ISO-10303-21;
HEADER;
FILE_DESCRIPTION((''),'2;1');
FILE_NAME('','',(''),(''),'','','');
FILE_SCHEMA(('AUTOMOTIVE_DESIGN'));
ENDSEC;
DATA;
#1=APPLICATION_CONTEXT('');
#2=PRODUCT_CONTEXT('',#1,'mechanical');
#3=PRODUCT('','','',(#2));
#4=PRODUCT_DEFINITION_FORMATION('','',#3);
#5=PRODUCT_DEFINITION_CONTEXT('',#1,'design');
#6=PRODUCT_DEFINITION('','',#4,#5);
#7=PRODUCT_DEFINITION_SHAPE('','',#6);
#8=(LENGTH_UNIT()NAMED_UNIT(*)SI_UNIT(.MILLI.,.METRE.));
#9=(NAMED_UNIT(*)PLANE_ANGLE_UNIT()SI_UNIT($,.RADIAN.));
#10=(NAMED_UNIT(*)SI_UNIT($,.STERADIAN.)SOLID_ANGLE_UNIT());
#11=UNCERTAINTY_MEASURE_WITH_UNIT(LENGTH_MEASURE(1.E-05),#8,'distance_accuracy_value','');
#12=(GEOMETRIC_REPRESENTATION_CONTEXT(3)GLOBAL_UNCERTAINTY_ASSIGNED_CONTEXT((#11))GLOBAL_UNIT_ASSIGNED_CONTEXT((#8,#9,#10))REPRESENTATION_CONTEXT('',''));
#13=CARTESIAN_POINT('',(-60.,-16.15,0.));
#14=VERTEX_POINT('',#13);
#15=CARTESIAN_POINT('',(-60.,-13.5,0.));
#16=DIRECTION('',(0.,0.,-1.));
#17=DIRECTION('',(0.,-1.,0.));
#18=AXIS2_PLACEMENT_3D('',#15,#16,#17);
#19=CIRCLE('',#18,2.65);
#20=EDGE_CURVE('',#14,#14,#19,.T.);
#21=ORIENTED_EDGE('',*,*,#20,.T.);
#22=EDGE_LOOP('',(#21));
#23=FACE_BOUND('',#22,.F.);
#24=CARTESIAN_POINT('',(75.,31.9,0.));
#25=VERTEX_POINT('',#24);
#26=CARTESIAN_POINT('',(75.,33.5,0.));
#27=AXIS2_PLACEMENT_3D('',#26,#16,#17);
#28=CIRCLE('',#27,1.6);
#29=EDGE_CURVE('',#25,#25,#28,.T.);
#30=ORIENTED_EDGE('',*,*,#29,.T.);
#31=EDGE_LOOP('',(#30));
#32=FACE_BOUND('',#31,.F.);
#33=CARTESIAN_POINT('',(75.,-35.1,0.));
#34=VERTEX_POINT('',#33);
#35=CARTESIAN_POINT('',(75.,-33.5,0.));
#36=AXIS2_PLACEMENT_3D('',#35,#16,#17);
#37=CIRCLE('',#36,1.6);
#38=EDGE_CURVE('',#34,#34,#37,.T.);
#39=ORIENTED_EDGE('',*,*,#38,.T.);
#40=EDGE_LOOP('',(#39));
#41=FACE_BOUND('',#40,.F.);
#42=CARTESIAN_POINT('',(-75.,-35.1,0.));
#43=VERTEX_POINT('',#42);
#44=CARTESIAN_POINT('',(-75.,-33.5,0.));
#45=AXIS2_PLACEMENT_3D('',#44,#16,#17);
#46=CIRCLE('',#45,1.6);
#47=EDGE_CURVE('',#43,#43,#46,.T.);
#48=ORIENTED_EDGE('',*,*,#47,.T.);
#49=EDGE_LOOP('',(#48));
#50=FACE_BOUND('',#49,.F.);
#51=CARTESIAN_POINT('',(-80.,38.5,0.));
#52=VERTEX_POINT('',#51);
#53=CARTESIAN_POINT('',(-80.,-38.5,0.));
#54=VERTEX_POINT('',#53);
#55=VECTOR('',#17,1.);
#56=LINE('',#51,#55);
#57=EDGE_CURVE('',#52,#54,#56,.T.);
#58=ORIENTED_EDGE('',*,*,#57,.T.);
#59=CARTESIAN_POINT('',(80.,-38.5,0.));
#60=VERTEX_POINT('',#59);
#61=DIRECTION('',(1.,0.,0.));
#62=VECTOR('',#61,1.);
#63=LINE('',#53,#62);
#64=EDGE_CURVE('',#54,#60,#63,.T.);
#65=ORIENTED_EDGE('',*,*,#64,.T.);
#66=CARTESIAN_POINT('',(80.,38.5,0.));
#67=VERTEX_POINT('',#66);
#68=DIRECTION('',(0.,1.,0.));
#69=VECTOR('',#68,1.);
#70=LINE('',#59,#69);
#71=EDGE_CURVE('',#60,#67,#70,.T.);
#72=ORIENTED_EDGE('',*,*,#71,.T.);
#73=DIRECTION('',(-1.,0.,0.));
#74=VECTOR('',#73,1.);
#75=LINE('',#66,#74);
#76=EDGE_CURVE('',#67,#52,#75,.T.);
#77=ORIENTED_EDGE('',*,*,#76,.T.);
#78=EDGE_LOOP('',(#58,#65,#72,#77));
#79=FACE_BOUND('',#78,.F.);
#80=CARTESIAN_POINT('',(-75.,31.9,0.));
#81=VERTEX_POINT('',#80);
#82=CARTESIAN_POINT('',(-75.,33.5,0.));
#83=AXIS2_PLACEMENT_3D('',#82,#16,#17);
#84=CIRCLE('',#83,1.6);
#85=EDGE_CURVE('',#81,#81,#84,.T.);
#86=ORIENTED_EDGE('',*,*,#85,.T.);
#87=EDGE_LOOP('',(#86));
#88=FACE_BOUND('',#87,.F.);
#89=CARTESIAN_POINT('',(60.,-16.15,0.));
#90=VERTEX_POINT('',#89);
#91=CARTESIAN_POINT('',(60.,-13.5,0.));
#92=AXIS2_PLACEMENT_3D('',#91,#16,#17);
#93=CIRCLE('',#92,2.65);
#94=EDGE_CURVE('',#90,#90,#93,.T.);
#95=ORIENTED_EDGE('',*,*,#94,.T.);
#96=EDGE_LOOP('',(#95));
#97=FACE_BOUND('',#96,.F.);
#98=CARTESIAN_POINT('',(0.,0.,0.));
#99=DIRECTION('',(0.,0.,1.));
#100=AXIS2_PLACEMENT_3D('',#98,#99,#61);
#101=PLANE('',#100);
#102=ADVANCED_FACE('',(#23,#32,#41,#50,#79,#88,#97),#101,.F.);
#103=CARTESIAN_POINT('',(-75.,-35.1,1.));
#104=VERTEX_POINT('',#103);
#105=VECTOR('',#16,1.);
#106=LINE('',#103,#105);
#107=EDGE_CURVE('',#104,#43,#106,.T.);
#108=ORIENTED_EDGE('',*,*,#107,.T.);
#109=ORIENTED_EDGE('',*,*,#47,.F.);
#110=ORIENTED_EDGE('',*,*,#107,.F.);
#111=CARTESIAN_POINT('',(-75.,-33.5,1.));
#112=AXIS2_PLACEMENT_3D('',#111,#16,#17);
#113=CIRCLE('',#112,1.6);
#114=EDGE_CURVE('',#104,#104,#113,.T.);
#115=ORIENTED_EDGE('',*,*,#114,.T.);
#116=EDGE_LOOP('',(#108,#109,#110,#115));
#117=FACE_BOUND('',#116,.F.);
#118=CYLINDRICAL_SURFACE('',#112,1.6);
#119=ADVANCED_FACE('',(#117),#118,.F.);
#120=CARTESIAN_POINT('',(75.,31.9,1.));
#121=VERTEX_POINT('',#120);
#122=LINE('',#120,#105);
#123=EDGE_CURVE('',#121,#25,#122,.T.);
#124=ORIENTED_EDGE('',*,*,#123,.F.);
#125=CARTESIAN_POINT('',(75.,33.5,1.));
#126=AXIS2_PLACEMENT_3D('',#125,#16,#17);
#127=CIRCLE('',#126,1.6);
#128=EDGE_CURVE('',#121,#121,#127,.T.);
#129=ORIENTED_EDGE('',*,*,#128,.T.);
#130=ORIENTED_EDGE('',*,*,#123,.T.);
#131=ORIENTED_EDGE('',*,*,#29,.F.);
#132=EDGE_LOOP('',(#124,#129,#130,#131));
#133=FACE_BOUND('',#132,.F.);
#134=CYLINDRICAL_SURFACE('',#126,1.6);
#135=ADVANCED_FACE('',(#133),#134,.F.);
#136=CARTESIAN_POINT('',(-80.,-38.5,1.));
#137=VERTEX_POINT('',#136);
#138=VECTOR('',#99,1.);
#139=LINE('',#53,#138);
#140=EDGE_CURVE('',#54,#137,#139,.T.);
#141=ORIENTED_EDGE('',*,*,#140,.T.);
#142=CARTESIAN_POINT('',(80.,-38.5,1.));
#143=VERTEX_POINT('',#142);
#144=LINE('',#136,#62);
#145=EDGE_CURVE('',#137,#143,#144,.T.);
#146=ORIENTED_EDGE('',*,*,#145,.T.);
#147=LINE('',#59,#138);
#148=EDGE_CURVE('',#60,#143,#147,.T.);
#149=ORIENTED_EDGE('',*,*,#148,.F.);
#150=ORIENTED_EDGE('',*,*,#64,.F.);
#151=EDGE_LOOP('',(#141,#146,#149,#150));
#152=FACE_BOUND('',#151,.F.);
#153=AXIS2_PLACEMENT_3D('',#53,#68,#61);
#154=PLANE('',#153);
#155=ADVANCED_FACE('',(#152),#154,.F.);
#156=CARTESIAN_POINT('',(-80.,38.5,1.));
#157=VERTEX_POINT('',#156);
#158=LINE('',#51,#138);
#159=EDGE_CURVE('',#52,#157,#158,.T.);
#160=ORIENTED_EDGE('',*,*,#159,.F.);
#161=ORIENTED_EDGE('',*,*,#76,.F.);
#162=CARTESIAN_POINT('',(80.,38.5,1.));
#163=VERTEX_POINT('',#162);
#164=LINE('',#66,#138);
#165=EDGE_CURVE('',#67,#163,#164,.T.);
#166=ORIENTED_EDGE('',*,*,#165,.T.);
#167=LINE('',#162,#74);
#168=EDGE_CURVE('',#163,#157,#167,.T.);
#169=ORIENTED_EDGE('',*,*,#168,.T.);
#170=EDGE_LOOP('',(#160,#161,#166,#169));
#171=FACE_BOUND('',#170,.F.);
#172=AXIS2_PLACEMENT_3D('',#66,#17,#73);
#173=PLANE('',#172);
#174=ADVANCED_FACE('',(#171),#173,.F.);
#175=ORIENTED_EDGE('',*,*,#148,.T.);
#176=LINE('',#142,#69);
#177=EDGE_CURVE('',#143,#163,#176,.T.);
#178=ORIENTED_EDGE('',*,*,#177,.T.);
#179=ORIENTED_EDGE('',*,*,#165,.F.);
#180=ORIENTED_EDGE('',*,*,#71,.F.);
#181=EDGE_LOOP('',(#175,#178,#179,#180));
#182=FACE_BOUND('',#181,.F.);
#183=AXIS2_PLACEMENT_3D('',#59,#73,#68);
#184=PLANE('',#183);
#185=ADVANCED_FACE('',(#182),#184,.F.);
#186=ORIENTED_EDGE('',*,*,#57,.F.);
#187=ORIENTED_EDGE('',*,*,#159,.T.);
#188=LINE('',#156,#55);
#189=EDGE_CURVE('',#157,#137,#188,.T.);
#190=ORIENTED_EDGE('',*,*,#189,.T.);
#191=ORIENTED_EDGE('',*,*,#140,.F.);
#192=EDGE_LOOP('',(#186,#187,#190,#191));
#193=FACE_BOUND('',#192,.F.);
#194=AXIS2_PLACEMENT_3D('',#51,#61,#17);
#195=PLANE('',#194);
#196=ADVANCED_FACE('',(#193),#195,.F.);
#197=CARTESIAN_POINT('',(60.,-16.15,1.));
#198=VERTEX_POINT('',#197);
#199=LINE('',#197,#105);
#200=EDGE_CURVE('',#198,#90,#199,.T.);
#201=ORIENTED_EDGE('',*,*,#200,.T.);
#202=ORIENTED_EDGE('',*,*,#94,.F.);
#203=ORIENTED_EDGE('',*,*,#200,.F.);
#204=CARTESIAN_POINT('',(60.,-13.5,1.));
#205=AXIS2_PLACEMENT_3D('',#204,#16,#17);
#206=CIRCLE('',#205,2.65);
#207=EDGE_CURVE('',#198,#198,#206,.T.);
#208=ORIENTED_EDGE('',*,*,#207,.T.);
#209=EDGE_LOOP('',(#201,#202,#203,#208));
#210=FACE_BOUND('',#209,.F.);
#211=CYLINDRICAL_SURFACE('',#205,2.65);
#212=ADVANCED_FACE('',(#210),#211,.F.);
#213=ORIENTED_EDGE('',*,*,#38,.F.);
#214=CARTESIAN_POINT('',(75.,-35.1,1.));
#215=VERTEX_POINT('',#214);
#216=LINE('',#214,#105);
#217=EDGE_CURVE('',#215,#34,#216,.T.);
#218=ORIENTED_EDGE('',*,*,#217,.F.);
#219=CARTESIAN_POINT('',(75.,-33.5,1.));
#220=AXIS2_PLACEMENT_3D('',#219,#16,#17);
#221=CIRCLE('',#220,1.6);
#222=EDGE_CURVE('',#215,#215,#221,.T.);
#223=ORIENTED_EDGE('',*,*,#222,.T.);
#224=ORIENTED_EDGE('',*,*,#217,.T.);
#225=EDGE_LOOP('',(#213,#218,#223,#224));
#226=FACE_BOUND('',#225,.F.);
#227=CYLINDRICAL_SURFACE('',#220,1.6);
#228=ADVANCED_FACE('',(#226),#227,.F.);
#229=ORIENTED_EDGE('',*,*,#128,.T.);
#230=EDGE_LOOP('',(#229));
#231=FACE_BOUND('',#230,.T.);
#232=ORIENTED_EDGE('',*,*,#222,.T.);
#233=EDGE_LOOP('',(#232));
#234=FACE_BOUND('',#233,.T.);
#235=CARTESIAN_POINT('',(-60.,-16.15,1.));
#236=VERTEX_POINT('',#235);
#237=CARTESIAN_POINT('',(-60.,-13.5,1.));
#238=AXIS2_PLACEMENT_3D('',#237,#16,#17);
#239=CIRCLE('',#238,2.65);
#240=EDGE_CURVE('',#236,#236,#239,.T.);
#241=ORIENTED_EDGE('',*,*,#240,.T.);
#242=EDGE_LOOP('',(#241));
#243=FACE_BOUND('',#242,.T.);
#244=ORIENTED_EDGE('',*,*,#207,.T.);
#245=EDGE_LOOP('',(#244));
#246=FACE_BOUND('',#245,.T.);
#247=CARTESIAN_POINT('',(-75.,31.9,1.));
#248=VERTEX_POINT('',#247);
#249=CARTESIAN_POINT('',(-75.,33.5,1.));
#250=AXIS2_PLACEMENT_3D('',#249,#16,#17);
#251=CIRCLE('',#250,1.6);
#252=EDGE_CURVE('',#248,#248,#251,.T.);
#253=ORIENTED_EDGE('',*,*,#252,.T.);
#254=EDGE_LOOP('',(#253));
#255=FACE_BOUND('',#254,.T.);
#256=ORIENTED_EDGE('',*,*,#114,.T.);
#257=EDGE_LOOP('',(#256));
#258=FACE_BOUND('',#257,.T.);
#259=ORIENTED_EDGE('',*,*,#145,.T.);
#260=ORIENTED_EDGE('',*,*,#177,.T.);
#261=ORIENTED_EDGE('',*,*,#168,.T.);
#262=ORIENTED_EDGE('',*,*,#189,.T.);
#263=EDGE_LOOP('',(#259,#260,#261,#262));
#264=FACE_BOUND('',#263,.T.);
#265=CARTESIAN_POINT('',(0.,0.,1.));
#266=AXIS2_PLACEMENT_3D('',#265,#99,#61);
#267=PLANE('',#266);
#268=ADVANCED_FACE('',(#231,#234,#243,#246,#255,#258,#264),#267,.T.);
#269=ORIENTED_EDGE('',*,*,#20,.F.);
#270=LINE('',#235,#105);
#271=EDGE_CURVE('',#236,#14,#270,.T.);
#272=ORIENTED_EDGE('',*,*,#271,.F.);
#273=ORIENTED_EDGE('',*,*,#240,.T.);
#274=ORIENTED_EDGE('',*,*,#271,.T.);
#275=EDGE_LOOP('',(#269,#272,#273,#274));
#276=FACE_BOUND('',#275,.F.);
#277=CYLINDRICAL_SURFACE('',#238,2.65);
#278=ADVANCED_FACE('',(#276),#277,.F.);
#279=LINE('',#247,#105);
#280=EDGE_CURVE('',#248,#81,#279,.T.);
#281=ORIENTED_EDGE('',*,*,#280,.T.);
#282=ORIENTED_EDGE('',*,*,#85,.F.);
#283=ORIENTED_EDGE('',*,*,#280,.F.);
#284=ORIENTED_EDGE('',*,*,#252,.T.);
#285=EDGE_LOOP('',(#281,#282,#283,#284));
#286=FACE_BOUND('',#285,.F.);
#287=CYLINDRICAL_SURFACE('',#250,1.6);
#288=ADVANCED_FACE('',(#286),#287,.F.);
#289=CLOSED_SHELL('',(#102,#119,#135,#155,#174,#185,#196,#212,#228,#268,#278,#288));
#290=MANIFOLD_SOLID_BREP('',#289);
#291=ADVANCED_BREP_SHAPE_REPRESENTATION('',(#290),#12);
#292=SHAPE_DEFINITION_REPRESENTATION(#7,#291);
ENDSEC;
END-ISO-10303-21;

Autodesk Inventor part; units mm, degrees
ref_plane "YZ Plane" through (0, 0, 0) normal (1, 0, 0) x (0, 1, 0)
ref_plane "XZ Plane" through (0, 0, 0) normal (0, 1, 0) x (-1, 0, 0)
ref_plane "XY Plane" through (0, 0, 0) normal (0, 0, 1) x (1, 0, 0)
sketch "スケッチ1" plane through (0, 0, 0) normal (0, 0, 1) x (1, 0, 0)
  line L0 (-80, -38.5) -> (80, -38.5)
  line L1 (80, -38.5) -> (80, 38.5)
  line L2 (80, 38.5) -> (-80, 38.5)
  line L3 (-80, 38.5) -> (-80, -38.5)
  line L4 (-80, -38.5) -> (80, 38.5) construction
  line L5 (80, -38.5) -> (-80, 38.5) construction
  point P0 (0, 0)
  dimension "d0" = 160
  dimension "d1" = 77
extrude "プレート1" add sketch "スケッチ1" along normal blind 1
sketch "スケッチ2" plane through (0, 0, 1) normal (0, 0, 1) x (1, 0, 0)
  line L0 (-80, -38.5) -> (-80, 38.5) projected
  line L1 (80, -38.5) -> (-80, -38.5) projected
  line L2 (80, 38.5) -> (80, -38.5) projected
  line L3 (-80, 38.5) -> (80, 38.5) projected
  line L4 (75, 33.5) -> (75, -33.5)
  line L5 (75, -33.5) -> (-75, -33.5)
  line L6 (-75, -33.5) -> (-75, 33.5)
  line L7 (-75, 33.5) -> (75, 33.5)
  point P0 (0, 0)
  dimension "d3" = 5
hole "穴1" at (-75, 33.5, 1) at (-75, -33.5, 1) at (75, -33.5, 1) at (75, 33.5, 1) direction (0, 0, -1) diameter 3.2 depth 1 clearance for "Flat Head Machine Screw" size "M3" standard "Ansi Metric M Profile"
sketch "スケッチ3" plane through (0, 0, 1) normal (0, 0, 1) x (1, 0, 0)
  line L0 (80, -38.5) -> (-80, -38.5) projected
  point P0 (0, 0)
  point P1 (-60, -13.5)
  point P2 (60, -13.5)
  dimension "d11" = 60
  dimension "d12" = 60
  dimension "d13" = 25
  dimension "d14" = 25
hole "穴2" at (-60, -13.5, 1) at (60, -13.5, 1) direction (0, 0, -1) diameter 5.3 end through all clearance for "Flat Head Machine Screw" size "M5" standard "Ansi Metric M Profile"
equation "\"d9\" = Thickness"
equation "\"d20\" = Thickness"
equation "\"d2\" = Thickness"
equation "\"BendRadius\" = Thickness"
equation "\"BendReliefWidth\" = Thickness"
equation "\"BendReliefDepth\" = 0.5 * Thickness"
equation "\"CornerReliefSize\" = 4 * Thickness"
equation "\"MinimumRemnant\" = 2 * Thickness"
equation "\"TransitionRadius\" = BendRadius"
equation "\"JacobiRadiusSize\" = Thickness"
equation "\"GapSize\" = Thickness"
equation "\"Thickness\" = 1"
properties part number "plate4" material "CFRP"
